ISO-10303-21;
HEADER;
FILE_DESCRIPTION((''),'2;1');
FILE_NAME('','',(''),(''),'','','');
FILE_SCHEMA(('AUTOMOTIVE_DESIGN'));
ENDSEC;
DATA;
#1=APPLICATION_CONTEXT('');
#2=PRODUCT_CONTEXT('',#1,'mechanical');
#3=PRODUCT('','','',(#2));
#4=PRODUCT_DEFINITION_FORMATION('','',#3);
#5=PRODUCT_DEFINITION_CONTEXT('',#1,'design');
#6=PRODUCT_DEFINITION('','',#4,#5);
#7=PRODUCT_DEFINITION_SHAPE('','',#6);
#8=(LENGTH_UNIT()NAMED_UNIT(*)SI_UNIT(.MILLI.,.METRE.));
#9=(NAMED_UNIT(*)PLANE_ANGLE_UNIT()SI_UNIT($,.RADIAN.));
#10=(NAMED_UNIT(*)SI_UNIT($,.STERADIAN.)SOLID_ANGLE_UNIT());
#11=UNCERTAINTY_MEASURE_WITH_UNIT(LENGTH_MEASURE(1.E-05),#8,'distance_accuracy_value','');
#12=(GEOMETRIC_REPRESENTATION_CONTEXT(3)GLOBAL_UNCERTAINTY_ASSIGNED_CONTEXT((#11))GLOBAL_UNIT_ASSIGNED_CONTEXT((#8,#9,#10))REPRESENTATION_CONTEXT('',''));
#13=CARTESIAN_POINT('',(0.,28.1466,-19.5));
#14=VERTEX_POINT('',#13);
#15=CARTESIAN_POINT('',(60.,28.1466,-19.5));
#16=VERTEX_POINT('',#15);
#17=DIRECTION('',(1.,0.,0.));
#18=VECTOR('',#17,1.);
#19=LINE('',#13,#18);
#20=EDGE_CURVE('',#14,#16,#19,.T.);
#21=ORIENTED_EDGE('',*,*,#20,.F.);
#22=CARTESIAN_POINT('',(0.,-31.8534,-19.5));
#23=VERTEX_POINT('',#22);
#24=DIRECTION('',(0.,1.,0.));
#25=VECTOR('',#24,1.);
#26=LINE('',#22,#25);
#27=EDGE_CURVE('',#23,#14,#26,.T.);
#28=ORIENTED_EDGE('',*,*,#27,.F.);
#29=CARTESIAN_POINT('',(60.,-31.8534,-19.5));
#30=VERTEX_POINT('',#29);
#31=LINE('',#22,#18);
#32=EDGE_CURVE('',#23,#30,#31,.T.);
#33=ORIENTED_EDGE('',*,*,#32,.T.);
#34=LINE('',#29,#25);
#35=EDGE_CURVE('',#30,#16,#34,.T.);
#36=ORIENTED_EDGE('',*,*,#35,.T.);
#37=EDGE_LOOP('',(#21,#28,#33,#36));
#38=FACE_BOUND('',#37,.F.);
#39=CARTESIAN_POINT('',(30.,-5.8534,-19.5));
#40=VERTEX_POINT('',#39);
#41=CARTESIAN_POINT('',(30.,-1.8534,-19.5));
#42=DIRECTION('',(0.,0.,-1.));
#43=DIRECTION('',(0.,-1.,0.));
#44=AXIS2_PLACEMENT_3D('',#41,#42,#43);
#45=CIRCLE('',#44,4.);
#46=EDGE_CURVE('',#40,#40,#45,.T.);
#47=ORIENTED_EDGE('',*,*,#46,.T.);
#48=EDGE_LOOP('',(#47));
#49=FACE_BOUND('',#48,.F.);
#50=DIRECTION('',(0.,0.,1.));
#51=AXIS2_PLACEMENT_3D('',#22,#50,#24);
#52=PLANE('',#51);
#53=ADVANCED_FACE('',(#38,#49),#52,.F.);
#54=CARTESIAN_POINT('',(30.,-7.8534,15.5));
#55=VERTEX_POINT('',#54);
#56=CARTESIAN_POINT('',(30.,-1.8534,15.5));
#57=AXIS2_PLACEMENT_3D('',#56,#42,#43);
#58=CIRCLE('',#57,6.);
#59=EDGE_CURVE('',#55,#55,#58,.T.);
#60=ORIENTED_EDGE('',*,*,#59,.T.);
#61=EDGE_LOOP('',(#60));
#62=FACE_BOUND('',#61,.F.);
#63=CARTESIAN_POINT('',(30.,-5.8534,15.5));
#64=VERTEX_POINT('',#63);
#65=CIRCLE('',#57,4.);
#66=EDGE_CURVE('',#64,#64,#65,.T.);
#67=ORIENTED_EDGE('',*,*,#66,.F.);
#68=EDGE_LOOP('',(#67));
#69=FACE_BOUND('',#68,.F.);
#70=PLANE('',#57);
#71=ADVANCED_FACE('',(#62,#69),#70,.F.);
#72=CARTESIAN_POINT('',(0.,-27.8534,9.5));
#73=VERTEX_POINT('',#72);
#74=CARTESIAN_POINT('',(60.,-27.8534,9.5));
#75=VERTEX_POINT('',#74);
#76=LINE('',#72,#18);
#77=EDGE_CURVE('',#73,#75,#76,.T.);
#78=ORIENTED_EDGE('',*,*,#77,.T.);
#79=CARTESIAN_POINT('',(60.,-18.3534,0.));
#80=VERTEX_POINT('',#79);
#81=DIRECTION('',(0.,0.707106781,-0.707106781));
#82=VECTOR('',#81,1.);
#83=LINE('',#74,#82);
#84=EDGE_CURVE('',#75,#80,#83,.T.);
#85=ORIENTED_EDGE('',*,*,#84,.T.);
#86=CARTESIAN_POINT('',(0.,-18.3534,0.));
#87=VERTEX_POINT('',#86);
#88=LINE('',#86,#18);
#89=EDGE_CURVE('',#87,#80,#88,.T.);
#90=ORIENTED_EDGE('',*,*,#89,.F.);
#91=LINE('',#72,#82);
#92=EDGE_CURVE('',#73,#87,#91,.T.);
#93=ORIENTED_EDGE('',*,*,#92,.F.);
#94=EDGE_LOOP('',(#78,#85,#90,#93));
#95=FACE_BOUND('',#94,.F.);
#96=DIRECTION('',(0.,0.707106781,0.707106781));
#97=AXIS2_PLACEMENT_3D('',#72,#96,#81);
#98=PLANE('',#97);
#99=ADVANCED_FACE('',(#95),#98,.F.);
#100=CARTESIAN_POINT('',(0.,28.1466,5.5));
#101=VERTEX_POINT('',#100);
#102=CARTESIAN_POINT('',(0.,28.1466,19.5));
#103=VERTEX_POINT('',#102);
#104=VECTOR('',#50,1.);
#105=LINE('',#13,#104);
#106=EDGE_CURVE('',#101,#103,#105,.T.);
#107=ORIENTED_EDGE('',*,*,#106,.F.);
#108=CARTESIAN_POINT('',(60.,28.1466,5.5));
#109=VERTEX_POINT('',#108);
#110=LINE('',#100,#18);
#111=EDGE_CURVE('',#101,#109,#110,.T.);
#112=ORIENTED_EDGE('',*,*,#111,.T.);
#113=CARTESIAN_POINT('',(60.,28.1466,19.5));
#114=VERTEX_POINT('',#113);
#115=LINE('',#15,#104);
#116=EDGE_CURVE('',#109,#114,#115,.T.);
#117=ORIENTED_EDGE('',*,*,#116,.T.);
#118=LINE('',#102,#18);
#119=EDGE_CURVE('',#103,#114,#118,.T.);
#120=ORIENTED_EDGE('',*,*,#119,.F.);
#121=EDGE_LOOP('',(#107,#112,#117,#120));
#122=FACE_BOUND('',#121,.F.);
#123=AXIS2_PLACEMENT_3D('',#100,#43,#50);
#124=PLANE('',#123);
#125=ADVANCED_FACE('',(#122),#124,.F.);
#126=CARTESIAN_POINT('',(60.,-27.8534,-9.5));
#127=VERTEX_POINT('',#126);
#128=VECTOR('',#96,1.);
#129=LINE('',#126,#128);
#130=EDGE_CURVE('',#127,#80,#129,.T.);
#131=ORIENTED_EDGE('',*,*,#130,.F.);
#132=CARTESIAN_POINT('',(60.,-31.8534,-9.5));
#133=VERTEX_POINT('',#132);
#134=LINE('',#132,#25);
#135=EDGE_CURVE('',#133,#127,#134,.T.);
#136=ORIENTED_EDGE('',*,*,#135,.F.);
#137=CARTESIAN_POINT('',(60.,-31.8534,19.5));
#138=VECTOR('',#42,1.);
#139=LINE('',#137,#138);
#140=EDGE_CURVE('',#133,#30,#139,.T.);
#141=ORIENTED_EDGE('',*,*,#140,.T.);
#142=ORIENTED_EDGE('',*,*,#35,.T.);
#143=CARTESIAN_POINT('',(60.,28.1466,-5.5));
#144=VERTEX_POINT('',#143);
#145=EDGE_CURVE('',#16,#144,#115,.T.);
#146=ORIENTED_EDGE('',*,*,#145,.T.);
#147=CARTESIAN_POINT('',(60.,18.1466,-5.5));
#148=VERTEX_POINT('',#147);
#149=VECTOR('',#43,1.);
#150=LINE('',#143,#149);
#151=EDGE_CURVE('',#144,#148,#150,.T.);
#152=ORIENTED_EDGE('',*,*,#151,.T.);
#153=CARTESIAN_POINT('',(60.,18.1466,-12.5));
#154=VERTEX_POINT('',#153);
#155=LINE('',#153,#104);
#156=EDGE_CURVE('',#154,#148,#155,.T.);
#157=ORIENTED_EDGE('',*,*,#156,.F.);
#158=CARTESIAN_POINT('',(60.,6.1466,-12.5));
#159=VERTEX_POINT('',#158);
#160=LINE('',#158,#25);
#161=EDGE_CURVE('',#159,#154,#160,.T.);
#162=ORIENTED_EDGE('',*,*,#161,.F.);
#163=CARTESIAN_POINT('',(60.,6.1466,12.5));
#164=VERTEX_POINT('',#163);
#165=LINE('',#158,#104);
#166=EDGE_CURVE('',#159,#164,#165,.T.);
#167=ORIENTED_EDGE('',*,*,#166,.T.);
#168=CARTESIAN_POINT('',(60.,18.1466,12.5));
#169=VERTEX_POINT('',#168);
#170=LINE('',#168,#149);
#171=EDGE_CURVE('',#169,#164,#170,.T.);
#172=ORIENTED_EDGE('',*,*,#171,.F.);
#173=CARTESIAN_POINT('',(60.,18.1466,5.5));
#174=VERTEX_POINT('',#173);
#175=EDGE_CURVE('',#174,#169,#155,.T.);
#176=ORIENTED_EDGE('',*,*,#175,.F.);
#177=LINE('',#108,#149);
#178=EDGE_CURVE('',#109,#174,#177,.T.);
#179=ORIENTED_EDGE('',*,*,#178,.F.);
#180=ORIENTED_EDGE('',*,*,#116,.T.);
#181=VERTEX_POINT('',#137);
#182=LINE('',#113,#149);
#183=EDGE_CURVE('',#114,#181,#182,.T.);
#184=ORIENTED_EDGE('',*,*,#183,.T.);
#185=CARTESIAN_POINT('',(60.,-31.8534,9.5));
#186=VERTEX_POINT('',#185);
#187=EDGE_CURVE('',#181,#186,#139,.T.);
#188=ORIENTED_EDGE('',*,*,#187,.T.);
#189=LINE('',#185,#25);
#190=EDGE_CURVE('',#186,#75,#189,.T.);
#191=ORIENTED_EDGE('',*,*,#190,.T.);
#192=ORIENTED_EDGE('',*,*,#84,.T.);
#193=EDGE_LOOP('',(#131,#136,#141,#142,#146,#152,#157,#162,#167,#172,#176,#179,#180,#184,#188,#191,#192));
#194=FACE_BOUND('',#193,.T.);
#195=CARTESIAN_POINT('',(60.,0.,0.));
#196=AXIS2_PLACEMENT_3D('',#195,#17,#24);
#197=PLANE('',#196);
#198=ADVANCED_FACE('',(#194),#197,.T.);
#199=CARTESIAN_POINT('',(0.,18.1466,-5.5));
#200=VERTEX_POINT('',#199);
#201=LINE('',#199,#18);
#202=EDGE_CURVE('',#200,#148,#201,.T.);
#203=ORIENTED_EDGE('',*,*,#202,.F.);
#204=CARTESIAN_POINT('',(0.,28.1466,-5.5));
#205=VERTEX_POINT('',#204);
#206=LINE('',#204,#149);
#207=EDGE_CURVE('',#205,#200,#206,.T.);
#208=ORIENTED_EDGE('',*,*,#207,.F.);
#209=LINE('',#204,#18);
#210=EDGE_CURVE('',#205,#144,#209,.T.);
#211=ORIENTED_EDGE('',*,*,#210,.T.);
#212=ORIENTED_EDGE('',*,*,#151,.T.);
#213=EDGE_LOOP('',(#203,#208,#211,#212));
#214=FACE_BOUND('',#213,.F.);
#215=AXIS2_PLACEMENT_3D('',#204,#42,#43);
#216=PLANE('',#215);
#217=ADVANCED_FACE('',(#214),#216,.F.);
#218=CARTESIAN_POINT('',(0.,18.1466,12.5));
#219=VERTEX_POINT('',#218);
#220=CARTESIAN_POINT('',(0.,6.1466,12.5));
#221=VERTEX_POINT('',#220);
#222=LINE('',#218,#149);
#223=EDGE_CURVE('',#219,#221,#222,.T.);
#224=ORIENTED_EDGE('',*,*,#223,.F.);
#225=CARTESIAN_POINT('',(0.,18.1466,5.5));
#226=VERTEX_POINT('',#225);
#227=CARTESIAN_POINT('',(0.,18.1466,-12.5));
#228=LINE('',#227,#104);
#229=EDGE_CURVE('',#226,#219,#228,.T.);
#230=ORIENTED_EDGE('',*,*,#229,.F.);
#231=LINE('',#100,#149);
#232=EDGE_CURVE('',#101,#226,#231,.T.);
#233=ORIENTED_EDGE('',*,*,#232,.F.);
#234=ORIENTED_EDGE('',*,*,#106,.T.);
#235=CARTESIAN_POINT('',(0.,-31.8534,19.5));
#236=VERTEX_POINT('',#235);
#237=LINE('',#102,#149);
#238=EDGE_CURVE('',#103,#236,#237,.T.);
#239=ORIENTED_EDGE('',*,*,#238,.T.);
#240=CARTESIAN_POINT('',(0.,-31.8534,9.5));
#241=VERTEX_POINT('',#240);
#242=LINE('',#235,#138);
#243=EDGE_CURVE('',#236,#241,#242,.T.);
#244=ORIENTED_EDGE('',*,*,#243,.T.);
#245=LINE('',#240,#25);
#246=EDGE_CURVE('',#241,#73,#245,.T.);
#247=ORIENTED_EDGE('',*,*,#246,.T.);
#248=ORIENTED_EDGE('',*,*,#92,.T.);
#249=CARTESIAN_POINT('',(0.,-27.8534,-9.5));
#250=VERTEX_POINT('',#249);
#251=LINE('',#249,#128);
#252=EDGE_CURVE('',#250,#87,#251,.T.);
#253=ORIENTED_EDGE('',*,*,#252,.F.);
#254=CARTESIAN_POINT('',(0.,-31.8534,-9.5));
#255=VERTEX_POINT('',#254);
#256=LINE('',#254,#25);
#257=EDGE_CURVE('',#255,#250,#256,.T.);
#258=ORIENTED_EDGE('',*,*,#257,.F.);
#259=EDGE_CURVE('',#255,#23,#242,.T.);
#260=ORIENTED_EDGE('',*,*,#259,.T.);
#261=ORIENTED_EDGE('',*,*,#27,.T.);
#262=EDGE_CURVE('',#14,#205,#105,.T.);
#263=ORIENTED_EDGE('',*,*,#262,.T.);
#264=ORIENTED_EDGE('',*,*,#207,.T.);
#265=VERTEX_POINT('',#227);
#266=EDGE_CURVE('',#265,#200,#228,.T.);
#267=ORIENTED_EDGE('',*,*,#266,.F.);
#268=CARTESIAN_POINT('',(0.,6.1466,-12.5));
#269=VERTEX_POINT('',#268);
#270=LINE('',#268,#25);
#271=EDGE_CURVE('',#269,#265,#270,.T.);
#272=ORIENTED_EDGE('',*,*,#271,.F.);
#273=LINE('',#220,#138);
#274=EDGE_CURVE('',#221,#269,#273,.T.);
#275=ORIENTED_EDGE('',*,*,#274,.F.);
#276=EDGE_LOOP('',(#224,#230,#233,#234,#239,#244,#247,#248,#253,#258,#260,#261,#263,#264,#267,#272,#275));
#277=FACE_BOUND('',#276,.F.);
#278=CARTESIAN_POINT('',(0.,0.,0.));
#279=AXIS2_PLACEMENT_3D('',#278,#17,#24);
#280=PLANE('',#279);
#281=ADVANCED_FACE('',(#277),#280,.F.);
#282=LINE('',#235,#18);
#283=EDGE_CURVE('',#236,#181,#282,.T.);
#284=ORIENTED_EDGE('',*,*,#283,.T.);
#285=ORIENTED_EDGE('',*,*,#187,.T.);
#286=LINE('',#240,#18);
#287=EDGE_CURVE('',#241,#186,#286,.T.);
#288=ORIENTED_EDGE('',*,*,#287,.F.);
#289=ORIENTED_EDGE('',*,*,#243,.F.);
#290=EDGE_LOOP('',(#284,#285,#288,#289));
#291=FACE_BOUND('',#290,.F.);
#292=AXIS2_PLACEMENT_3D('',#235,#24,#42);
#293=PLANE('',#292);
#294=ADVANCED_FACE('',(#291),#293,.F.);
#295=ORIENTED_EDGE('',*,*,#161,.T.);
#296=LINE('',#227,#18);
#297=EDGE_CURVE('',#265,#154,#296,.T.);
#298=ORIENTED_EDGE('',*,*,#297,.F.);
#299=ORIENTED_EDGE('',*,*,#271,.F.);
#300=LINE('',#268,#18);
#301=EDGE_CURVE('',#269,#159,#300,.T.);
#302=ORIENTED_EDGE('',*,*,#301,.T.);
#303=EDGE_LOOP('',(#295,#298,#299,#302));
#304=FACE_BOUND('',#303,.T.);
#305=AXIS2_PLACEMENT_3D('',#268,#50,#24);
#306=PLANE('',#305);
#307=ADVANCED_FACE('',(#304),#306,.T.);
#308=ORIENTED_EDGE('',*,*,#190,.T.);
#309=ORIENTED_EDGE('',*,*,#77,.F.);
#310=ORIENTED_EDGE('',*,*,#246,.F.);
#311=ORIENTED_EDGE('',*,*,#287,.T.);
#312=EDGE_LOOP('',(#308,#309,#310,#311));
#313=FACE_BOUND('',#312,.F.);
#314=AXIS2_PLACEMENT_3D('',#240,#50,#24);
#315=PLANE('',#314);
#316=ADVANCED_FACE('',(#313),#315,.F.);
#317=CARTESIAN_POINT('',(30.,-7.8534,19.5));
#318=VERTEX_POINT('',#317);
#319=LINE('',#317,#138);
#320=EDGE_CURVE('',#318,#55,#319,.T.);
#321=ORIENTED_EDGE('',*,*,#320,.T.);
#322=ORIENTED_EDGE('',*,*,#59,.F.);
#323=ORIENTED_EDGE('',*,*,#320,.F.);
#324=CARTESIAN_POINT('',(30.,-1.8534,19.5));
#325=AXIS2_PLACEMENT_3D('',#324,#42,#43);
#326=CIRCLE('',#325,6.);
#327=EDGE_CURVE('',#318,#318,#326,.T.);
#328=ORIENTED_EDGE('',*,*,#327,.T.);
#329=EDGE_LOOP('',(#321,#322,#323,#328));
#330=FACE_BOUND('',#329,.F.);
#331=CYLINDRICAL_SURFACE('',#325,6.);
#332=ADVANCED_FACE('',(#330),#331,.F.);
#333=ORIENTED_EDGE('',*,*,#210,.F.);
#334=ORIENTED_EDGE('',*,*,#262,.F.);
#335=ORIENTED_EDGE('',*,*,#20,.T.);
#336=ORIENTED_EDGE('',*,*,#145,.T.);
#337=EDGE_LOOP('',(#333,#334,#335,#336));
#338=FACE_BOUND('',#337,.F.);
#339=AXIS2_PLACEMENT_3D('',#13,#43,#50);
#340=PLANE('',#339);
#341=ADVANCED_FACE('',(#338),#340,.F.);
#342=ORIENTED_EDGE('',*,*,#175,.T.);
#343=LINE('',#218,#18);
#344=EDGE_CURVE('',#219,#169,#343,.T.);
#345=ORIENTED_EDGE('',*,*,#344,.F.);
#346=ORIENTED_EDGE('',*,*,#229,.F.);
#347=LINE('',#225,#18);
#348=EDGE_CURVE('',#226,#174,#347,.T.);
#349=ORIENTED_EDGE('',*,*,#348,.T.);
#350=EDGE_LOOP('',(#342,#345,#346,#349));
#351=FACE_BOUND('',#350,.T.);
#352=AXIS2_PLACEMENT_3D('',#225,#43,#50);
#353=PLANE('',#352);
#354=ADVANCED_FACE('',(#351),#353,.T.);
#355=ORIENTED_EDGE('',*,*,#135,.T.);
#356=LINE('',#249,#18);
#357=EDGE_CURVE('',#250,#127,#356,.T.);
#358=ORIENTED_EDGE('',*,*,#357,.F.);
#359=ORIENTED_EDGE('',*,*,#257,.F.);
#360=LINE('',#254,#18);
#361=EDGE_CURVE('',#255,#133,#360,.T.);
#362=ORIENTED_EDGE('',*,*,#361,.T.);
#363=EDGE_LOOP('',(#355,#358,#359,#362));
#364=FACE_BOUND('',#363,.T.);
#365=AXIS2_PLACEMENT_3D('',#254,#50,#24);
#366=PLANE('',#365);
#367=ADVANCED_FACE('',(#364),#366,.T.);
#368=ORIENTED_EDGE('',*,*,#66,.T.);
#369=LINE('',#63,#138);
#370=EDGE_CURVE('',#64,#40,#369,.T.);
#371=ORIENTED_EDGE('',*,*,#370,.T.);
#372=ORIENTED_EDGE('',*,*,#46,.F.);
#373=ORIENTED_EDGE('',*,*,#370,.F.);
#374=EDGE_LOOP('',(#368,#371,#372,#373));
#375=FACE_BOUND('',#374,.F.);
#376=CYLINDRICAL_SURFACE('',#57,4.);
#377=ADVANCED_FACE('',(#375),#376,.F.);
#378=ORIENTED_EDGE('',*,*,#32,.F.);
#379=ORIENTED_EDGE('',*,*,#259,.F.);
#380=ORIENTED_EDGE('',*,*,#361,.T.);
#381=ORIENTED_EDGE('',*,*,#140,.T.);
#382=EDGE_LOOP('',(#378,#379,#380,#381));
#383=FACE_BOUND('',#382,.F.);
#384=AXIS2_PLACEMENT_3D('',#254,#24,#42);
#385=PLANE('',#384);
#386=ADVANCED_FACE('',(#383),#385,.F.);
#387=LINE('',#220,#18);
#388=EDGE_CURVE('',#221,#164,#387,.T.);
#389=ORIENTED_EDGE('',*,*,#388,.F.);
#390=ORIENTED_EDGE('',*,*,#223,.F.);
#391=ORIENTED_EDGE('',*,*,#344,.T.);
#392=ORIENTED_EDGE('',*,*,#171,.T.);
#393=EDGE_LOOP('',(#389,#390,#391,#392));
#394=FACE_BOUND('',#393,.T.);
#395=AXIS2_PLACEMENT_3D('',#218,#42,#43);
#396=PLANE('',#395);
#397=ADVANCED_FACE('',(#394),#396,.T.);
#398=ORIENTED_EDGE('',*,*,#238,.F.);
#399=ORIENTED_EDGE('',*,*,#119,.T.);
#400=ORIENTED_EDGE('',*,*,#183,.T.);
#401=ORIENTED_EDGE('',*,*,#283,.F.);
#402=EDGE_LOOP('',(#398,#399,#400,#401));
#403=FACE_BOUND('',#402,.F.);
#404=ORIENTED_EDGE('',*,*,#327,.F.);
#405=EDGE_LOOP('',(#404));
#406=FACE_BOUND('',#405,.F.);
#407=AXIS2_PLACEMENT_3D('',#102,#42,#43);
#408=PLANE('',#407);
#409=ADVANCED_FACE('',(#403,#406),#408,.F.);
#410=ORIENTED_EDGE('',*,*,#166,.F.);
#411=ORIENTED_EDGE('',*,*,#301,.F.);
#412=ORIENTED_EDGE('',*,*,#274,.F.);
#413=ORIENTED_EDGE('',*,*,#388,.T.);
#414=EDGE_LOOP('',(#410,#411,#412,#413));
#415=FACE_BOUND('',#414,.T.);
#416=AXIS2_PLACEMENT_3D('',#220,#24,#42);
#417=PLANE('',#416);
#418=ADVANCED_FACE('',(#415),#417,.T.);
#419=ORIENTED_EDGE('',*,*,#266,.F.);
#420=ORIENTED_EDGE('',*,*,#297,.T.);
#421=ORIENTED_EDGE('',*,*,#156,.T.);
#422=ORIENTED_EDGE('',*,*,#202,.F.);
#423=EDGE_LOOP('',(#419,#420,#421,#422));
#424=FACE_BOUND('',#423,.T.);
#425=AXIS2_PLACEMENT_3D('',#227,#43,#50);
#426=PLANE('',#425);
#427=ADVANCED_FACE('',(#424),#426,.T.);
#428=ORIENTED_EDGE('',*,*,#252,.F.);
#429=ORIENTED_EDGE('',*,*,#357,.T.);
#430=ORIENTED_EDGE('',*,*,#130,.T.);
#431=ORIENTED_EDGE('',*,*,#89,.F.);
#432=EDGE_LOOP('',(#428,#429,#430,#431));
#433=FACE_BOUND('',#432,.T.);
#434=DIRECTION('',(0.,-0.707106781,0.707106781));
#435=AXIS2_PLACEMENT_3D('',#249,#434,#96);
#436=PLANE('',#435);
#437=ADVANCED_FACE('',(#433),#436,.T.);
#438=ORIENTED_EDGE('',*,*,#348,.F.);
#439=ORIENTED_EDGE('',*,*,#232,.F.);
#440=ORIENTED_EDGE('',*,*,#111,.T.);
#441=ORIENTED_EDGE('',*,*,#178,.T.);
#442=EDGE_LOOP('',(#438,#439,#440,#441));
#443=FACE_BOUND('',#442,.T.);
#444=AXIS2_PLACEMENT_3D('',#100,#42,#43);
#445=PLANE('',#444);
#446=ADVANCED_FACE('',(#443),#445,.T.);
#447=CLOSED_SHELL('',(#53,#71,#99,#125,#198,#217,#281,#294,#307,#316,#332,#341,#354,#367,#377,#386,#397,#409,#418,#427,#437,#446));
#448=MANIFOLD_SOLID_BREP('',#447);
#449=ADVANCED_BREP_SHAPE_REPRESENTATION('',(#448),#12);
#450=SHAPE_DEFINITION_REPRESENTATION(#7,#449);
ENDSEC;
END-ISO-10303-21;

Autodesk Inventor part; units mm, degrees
ref_plane "YZ Plane" through (0, 0, 0) normal (1, 0, 0) x (0, 1, 0)
ref_plane "XZ Plane" through (0, 0, 0) normal (0, 1, 0) x (-1, 0, 0)
ref_plane "XY Plane" through (0, 0, 0) normal (0, 0, 1) x (1, 0, 0)
sketch "Szkic1" plane through (0, 0, 0) normal (1, 0, 0) x (0, 1, 0)
  line L0 (28.1466, 19.5) -> (-31.8534, 19.5)
  line L1 (-31.8534, 19.5) -> (-31.8534, -19.5)
  line L2 (-31.8534, -19.5) -> (28.1466, -19.5)
  line L3 (28.1466, -19.5) -> (28.1466, 19.5)
  line L4 (28.1466, 0) -> (28.1466, 5.5)
  line L5 (28.1466, 5.5) -> (6.1466, 5.5)
  line L6 (6.1466, 5.5) -> (6.1466, 0)
  line L7 (28.1466, -5.5) -> (6.1466, -5.5)
  line L8 (6.1466, -5.5) -> (6.1466, 0)
  line L9 (18.1466, 12.5) -> (6.1466, 12.5)
  line L10 (6.1466, 12.5) -> (6.1466, -12.5)
  line L11 (6.1466, -12.5) -> (18.1466, -12.5)
  line L12 (18.1466, -12.5) -> (18.1466, 12.5)
  line L13 (-31.8534, 9.5) -> (-27.8534, 9.5)
  line L14 (-27.8534, 9.5) -> (-18.3534, 0)
  line L15 (-31.8534, 0) -> (0, 0)
  line L16 (-31.8534, -9.5) -> (-27.8534, -9.5)
  line L17 (-27.8534, -9.5) -> (-18.3534, 0)
  point P0 (12.1466, 0)
  point P1 (6.1466, 2.75)
  point P2 (18.1466, -5.5)
  point P3 (6.1466, -5.5)
  point P4 (18.1466, 5.5)
  dimension "d0" = 60
  dimension "d1" = 39
  dimension "d2" = 22
  dimension "d4" = 12
  dimension "d5" = 25
  dimension "d6" = 135
  dimension "d7" = 10
  dimension "d8" = 4
  dimension "d9" = 9.5
extrude "Wyciągnięcie proste1" add sketch "Szkic1" along normal blind 60 contours L3 L5 L12 L9 L10 L6 L8 L11 L7 L2 L1 L16 L17 L14 L13 L0
sketch "Szkic2" plane through (0, -31.8534, 19.5) normal (0, 0, 1) x (1, 0, 0)
  point P0 (0, 31.8534)
  point P1 (30, 30)
hole "Otwór1" at (30, -1.8534, 19.5) direction (0, 0, -1) diameter 8 end through all counterbore diameter 12 counterbore depth 4
